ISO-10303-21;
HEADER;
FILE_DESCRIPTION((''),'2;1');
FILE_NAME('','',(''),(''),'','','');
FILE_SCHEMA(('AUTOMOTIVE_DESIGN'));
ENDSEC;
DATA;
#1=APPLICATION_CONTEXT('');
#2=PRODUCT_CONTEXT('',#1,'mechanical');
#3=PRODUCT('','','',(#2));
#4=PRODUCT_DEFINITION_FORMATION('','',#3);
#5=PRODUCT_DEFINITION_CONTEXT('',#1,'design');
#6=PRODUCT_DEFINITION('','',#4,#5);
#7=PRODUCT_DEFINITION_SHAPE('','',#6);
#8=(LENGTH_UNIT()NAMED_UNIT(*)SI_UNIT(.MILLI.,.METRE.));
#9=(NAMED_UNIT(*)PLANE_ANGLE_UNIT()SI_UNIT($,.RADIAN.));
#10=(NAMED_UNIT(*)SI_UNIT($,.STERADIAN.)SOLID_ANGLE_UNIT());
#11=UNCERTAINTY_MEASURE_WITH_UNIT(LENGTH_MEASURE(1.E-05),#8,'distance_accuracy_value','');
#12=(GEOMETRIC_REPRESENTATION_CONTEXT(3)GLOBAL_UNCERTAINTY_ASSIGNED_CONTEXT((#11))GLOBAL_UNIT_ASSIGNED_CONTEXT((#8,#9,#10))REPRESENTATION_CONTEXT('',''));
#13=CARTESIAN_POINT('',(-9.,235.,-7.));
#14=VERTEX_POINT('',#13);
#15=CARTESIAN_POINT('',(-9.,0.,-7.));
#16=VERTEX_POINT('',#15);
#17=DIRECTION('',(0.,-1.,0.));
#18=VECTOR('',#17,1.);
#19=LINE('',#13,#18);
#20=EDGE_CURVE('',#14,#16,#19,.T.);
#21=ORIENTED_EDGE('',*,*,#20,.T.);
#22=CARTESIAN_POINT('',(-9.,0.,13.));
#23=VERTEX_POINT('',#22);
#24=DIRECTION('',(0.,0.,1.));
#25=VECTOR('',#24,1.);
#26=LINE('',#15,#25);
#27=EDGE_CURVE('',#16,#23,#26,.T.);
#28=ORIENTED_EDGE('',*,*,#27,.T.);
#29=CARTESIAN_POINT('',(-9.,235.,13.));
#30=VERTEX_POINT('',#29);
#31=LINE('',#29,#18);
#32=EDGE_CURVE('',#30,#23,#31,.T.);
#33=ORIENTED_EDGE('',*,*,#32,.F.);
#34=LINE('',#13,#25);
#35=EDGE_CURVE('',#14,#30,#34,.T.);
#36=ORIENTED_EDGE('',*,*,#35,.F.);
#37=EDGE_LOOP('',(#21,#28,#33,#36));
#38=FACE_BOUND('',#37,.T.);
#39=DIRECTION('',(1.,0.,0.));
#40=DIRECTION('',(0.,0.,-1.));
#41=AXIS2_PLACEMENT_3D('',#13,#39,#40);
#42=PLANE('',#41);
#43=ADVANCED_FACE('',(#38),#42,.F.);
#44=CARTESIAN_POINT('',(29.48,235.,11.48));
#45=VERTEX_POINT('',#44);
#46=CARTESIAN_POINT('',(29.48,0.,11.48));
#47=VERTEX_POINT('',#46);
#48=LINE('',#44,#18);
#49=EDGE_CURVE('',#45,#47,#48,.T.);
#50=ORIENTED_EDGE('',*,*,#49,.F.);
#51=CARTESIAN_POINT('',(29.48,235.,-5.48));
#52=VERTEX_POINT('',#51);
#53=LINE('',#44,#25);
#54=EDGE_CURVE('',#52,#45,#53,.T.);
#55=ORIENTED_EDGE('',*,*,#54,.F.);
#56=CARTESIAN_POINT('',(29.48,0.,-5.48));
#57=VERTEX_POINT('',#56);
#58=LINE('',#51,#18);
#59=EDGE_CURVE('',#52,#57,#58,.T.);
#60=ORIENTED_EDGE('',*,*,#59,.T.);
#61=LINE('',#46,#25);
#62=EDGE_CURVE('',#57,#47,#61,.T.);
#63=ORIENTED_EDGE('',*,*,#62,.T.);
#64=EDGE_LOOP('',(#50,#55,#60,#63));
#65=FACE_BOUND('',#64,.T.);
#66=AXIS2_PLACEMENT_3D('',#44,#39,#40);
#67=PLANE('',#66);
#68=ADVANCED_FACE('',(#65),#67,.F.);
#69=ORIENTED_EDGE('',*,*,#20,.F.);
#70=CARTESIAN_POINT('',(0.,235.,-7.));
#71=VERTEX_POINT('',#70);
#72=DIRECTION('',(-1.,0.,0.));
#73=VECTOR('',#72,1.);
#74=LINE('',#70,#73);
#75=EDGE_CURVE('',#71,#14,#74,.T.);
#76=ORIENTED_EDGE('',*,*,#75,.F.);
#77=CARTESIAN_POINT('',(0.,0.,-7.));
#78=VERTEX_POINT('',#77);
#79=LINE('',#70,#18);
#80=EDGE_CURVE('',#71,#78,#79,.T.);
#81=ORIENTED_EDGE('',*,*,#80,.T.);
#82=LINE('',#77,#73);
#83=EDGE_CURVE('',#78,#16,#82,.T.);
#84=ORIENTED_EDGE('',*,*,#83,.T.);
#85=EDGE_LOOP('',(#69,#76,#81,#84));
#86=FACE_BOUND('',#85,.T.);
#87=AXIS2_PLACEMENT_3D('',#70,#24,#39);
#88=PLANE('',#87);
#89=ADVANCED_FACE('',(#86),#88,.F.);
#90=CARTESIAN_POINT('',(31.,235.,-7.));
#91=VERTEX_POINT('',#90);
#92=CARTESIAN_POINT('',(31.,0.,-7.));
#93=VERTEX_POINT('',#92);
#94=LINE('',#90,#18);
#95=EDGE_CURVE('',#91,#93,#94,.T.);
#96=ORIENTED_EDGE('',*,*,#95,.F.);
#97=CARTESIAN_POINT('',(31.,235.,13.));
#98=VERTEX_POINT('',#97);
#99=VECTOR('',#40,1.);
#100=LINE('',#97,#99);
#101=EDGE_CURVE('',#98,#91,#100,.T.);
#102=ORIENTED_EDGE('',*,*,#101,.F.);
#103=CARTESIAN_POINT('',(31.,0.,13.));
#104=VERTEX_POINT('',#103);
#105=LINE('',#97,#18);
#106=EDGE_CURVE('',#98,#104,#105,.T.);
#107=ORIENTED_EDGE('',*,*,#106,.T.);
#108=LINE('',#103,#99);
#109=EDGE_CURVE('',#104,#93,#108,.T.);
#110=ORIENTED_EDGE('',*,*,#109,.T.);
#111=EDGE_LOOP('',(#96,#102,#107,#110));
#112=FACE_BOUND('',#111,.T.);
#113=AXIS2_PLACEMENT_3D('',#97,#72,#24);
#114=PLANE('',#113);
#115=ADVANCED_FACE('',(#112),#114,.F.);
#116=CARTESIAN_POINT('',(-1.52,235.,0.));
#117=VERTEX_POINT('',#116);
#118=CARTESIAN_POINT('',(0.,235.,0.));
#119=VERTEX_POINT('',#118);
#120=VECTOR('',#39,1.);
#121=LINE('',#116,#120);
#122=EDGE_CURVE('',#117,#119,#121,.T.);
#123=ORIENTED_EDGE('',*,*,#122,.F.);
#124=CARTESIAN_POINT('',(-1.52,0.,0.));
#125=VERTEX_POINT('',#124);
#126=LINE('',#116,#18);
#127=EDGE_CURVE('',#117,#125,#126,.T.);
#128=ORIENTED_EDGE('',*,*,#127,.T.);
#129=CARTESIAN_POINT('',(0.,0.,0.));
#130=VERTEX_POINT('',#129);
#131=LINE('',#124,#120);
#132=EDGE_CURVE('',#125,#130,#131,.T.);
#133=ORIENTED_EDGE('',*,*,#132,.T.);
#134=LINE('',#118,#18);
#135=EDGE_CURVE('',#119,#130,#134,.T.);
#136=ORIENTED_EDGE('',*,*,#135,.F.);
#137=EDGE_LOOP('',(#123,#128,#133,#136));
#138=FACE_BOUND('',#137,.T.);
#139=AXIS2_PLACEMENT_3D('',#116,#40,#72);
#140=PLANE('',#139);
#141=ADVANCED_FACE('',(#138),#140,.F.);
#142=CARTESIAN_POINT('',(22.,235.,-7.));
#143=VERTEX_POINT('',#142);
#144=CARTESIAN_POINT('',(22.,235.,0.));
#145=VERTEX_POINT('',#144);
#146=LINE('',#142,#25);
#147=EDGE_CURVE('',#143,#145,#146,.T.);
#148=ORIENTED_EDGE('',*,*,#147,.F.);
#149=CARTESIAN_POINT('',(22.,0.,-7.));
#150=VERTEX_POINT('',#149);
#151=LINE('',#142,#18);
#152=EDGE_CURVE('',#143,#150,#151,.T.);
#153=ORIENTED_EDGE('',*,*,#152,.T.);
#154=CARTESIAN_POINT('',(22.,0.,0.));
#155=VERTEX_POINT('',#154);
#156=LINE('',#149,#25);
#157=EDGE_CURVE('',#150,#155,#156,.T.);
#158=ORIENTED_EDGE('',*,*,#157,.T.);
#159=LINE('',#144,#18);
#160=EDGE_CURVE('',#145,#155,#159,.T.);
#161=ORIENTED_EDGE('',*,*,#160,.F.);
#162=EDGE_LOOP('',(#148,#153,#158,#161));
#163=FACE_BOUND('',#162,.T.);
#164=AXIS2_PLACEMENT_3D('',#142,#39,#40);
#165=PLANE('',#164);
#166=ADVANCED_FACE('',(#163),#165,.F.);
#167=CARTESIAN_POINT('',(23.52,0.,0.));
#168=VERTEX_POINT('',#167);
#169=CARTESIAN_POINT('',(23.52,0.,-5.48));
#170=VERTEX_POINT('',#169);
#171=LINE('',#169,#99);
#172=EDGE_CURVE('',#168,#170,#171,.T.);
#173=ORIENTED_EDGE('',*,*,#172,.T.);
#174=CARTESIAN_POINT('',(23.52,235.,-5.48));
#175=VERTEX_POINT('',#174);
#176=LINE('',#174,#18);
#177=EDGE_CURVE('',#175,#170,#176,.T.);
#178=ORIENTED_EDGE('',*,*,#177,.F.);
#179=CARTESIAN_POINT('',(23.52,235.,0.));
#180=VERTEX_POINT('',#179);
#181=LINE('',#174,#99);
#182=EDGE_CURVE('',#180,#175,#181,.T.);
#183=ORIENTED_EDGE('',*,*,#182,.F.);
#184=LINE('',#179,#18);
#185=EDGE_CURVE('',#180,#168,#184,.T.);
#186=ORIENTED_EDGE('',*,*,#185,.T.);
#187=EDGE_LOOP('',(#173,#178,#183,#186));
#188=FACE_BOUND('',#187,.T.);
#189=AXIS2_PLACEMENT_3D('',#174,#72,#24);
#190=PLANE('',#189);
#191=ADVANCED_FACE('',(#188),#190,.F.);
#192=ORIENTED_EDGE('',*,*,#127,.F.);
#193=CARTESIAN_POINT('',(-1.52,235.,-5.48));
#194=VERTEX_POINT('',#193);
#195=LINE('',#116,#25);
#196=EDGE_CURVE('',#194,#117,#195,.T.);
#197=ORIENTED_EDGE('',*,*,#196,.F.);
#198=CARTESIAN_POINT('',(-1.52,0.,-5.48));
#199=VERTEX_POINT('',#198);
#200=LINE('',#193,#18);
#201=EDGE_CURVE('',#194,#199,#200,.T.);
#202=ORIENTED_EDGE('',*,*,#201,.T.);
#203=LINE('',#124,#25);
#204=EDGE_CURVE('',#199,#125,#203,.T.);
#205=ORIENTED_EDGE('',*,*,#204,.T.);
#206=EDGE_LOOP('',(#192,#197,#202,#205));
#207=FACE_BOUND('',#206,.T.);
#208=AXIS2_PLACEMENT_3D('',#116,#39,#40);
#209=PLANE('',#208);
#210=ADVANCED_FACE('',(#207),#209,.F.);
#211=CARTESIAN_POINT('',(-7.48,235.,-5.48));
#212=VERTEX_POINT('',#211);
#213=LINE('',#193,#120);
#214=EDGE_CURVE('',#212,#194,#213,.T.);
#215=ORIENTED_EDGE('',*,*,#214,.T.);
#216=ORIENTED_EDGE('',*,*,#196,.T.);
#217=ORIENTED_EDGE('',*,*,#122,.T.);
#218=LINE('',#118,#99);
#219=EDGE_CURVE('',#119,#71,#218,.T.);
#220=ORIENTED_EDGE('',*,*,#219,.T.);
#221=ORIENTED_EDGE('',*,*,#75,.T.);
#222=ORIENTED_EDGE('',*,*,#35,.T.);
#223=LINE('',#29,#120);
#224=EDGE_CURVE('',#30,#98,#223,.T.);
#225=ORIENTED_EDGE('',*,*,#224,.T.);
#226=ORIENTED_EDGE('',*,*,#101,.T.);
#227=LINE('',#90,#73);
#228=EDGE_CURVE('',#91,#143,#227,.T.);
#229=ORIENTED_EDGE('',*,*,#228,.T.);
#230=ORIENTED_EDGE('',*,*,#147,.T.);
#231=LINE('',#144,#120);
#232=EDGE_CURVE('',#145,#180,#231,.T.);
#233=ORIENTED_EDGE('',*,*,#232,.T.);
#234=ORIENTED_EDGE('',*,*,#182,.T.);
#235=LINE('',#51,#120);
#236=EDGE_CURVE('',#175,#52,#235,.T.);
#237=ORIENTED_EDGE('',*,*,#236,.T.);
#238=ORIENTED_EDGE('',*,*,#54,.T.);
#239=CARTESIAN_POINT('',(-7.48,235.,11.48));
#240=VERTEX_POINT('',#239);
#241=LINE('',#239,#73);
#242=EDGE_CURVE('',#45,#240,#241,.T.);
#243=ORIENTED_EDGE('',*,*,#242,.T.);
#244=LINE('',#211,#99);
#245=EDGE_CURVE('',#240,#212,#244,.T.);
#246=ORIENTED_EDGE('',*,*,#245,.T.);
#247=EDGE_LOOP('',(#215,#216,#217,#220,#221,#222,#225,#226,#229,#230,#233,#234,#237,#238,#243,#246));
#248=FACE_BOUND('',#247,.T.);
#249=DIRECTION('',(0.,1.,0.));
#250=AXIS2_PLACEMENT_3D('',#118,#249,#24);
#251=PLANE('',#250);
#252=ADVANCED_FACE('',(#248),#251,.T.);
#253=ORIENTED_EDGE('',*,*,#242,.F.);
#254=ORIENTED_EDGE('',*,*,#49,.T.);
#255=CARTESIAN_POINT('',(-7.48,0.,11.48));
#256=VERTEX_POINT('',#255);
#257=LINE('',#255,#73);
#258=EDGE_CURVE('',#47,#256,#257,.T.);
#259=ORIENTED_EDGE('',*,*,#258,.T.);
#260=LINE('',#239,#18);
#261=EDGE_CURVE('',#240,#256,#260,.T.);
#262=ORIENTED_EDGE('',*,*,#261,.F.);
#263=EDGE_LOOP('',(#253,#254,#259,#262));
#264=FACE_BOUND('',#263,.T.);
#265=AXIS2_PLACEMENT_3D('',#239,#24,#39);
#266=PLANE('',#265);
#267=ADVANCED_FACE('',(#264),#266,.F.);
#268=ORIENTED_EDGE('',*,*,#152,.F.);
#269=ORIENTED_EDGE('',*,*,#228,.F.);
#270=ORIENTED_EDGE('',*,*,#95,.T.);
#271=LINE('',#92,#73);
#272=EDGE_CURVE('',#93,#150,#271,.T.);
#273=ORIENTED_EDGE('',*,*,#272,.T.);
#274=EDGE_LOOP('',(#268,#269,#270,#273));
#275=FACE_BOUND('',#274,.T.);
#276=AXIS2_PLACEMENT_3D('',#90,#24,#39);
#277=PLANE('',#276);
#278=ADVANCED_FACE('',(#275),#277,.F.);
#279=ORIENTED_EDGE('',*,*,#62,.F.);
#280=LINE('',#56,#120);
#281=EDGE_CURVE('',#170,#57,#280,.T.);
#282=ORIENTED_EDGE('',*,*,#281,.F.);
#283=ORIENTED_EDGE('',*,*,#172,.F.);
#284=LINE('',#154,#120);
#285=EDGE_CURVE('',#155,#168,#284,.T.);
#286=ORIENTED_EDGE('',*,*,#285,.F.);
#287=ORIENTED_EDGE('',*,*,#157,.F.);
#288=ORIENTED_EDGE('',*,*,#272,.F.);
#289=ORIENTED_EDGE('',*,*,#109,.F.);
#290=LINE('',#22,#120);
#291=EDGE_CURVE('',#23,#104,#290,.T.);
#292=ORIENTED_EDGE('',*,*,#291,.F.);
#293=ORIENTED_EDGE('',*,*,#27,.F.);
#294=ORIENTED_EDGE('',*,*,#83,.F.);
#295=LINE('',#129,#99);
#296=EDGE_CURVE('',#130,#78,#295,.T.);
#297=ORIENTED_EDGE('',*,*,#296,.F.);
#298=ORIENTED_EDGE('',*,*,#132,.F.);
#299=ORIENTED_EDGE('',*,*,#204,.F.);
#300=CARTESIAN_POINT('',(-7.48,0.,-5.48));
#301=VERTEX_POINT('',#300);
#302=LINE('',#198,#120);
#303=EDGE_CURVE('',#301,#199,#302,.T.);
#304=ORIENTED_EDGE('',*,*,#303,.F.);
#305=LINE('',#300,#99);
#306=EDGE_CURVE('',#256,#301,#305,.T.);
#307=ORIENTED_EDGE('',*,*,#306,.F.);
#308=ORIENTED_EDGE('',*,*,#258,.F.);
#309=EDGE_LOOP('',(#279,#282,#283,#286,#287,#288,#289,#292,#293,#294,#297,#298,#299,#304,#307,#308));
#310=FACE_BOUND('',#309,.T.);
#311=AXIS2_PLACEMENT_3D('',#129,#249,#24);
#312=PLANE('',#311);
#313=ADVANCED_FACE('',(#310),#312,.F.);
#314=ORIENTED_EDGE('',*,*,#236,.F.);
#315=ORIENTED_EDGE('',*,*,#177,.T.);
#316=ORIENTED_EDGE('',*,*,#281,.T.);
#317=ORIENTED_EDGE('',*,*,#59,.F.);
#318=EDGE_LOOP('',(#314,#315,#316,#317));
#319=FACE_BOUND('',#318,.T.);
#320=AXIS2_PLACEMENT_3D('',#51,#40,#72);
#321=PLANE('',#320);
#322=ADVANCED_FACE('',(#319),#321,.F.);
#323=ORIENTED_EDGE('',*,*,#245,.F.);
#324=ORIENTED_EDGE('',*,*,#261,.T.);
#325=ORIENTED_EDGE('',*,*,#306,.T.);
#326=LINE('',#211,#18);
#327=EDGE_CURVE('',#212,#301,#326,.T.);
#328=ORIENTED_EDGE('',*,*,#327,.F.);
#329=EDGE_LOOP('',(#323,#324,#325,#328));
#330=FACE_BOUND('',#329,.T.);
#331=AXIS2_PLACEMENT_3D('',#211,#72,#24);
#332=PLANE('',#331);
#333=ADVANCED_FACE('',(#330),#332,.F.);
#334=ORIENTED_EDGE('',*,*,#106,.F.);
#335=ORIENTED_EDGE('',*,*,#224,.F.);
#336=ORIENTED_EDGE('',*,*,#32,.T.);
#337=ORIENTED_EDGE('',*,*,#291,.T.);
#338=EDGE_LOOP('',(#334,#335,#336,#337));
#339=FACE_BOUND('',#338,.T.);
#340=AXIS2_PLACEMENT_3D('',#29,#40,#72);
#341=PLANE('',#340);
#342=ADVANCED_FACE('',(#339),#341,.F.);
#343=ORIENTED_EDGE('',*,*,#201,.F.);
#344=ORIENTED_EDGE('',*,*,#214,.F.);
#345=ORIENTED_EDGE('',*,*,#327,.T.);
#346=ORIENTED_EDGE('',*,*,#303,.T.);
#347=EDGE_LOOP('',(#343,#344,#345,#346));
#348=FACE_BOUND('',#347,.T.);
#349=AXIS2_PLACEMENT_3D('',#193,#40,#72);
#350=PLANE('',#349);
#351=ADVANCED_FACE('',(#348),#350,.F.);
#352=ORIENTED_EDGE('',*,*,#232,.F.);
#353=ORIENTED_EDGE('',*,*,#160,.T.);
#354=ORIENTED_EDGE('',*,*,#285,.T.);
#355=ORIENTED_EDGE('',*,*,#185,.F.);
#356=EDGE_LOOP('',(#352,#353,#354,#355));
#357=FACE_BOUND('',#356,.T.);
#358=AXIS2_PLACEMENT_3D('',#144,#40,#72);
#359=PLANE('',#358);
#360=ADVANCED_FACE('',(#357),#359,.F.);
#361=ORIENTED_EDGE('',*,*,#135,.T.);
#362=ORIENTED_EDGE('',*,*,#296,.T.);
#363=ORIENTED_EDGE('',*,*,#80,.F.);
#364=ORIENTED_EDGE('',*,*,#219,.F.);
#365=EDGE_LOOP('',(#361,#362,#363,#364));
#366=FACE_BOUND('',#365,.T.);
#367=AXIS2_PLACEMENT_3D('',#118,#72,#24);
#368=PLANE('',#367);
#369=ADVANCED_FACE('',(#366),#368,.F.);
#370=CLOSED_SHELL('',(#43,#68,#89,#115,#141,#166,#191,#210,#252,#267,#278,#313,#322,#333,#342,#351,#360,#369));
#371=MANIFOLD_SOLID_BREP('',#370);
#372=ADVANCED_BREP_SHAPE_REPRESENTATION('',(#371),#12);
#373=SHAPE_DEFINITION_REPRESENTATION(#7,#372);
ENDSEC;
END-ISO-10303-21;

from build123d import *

# Parameters (mm, degrees)
SALIENTE_EXTRUIR4_DEPTH = 235


with BuildPart() as part:
    # Croquis4 → Saliente-Extruir4 (new body)
    with BuildSketch(Plane(origin=(0, 0, 0), x_dir=(1, 0, 0), z_dir=(0, 1, 0))):
        Polygon((0, 0), (0, 7), (-9, 7), (-9, -13), (31, -13), (31, 7), (22, 7), (22, 0), (23.52, 0), (23.52, 5.48), (29.48, 5.48), (29.48, -11.48), (-7.48, -11.48), (-7.48, 5.48), (-1.52, 5.48), (-1.52, 0), align=None)
    extrude(amount=SALIENTE_EXTRUIR4_DEPTH)


solid = part.part
